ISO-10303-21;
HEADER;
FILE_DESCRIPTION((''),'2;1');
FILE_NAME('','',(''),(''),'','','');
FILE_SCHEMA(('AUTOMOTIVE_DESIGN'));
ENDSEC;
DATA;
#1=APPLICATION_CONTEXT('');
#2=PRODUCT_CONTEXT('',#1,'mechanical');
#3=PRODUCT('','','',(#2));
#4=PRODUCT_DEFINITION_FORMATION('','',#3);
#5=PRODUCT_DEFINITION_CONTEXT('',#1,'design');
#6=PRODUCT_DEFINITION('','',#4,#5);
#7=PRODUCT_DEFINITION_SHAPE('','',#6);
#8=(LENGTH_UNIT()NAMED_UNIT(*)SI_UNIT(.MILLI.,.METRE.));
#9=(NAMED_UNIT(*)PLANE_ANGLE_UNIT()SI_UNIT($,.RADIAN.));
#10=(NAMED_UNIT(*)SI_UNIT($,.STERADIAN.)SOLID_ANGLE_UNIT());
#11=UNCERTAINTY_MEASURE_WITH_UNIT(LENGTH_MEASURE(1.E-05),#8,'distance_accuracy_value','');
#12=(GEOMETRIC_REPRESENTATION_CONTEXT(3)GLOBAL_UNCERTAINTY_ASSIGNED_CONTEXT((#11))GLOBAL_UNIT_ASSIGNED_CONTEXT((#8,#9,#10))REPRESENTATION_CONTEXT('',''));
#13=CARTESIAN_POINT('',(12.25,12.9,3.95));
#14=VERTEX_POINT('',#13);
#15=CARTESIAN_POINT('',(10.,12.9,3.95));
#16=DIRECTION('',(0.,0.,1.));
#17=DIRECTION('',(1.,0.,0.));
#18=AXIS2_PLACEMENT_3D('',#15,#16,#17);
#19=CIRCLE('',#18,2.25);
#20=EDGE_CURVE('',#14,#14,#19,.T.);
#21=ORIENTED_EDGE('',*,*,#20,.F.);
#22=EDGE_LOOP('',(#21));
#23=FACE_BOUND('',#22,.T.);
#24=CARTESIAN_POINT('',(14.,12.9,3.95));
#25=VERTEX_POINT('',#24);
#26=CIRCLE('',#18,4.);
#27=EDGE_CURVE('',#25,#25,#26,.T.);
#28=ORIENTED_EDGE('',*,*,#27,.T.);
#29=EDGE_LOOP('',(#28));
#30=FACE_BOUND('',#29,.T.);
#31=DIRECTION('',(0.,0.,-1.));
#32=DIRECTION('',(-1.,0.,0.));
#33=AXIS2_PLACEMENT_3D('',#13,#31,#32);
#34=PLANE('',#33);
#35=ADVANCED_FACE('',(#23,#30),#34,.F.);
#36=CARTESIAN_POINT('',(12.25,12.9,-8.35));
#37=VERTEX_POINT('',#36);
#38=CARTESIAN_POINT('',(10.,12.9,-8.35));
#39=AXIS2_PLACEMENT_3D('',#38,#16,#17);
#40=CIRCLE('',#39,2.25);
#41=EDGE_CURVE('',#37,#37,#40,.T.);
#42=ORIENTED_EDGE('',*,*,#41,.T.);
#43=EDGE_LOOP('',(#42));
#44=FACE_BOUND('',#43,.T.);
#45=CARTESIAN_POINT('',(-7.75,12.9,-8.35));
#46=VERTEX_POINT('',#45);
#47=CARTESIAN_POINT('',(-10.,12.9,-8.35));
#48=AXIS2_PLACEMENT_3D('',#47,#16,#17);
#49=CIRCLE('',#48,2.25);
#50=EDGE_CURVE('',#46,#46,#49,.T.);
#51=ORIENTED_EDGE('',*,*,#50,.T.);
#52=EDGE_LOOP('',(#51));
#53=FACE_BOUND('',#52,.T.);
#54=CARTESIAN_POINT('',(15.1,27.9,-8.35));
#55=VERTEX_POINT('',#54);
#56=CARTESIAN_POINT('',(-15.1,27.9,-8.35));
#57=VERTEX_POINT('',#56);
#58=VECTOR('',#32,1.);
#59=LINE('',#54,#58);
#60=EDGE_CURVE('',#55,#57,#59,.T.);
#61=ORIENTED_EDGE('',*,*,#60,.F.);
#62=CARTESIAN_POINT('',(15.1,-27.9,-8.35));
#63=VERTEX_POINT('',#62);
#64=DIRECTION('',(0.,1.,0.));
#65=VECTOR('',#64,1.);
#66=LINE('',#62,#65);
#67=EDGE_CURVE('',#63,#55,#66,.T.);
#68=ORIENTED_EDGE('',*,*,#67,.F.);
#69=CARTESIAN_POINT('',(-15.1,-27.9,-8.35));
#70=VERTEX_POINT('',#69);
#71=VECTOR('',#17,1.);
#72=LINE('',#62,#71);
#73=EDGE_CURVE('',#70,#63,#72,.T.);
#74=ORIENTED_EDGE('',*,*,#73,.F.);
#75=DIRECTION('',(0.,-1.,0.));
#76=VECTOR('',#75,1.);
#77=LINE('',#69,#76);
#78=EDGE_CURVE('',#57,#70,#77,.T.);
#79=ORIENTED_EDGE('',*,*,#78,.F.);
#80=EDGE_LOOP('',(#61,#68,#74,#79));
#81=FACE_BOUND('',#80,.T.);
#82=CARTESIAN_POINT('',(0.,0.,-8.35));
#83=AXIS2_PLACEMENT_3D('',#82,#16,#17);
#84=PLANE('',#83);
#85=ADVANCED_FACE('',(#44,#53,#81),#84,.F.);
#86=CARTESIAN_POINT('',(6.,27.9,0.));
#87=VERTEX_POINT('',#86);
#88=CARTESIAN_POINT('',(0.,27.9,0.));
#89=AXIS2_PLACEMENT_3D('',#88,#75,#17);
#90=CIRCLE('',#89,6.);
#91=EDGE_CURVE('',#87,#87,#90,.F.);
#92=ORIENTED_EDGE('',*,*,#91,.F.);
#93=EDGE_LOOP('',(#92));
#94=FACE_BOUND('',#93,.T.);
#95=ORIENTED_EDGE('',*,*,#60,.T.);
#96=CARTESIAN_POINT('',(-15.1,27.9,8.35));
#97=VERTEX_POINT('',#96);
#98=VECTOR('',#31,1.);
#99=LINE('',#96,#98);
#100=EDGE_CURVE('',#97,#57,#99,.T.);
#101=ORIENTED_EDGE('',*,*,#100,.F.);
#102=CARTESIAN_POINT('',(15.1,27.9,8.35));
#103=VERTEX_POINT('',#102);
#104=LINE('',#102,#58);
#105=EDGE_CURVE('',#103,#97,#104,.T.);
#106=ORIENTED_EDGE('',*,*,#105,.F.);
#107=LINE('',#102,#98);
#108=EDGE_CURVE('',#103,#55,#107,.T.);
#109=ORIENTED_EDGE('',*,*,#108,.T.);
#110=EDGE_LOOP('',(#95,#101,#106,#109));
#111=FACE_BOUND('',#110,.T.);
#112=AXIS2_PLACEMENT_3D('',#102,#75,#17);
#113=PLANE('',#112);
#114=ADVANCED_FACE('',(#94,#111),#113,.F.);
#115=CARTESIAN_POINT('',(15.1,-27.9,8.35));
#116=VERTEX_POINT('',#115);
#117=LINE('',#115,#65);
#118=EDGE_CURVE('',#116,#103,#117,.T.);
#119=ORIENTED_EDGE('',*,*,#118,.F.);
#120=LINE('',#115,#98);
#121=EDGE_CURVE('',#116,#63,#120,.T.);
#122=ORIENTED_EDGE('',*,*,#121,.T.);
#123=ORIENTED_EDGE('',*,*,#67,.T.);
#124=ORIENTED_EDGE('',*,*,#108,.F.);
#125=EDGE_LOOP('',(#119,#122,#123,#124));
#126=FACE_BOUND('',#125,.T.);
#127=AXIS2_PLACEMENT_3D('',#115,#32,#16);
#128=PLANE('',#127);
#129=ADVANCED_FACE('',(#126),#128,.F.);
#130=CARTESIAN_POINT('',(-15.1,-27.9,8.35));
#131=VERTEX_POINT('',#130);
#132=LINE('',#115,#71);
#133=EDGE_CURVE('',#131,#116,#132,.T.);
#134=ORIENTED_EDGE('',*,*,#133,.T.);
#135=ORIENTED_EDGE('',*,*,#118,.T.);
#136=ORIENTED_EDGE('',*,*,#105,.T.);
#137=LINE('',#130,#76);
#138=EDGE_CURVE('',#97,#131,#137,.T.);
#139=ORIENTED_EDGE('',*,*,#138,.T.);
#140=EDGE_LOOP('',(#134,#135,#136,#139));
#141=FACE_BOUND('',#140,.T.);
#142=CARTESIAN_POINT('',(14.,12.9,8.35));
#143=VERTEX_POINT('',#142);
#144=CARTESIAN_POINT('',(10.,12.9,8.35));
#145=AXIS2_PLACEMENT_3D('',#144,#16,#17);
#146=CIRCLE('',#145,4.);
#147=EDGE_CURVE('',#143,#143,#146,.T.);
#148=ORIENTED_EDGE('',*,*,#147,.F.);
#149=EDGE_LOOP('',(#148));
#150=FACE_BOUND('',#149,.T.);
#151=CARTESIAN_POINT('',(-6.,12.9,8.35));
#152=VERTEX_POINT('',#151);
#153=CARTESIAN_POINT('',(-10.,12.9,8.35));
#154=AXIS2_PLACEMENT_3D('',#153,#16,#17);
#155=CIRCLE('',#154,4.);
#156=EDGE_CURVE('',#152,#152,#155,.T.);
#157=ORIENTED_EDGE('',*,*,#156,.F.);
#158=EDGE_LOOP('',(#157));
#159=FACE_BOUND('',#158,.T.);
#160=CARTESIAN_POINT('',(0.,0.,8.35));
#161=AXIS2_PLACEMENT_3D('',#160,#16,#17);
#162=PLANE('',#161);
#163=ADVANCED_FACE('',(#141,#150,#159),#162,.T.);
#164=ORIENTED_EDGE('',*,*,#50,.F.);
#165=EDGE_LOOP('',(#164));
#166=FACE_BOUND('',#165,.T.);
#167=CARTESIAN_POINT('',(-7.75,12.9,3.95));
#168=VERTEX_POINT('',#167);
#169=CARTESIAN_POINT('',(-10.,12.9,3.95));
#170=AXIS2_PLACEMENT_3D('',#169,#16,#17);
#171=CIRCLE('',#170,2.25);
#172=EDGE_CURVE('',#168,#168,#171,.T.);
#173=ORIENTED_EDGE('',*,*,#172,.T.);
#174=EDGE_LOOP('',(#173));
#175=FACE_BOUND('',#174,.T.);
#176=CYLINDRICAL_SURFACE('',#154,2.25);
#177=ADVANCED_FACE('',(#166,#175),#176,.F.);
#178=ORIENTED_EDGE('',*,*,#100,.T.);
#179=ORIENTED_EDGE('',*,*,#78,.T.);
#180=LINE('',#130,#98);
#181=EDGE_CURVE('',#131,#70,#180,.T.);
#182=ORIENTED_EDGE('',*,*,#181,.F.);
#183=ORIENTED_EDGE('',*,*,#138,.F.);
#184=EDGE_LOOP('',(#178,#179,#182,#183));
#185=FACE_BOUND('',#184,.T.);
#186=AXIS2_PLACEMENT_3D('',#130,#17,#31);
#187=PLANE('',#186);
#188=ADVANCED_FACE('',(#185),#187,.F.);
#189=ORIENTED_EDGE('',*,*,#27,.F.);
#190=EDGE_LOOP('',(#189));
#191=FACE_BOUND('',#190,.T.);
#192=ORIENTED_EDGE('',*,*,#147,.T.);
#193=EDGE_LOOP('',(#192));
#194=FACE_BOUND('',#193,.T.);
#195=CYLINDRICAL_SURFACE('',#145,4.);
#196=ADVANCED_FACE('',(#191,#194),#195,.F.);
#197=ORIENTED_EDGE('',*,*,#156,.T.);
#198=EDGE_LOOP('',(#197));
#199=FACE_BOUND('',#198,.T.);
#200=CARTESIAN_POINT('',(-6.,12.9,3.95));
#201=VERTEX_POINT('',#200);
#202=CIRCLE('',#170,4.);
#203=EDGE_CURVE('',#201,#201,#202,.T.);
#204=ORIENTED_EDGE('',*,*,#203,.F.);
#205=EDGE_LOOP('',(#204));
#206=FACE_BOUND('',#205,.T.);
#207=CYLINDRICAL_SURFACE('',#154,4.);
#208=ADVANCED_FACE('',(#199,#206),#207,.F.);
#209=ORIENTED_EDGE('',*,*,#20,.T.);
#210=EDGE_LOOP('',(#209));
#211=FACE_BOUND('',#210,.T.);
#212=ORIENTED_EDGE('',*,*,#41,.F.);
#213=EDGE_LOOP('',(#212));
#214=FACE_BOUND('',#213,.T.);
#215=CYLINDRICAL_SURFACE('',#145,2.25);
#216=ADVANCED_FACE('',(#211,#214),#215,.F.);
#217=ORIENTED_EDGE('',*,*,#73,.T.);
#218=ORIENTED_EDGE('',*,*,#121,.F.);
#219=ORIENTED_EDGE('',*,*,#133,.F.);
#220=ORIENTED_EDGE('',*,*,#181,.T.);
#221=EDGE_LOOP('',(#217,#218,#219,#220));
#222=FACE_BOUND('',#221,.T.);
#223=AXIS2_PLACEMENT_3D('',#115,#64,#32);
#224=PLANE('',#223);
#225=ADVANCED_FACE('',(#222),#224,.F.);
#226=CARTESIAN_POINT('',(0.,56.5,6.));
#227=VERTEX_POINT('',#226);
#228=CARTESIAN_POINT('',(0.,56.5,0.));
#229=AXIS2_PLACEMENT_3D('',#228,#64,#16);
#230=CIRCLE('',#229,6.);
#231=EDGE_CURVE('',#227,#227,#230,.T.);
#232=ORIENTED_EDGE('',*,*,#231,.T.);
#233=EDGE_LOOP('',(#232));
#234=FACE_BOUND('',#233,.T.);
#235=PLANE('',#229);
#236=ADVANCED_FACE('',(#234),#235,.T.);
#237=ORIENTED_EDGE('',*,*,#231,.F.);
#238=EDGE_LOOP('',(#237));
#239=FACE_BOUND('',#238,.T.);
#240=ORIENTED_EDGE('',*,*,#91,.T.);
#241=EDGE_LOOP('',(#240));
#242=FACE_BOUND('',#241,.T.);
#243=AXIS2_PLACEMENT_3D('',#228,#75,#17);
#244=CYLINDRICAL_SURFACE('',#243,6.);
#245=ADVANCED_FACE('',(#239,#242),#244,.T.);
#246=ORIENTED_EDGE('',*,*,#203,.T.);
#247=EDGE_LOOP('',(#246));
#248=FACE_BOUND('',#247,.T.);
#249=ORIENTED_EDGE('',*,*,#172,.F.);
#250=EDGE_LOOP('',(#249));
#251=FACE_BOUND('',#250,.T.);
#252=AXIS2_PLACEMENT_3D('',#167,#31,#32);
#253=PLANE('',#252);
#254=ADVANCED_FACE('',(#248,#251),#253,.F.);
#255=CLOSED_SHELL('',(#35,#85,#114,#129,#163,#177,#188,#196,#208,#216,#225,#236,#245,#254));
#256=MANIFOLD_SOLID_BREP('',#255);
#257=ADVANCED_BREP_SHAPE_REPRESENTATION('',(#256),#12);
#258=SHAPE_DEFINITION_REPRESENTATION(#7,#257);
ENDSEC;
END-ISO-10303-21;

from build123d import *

# Parameters (mm, degrees)
SKETCH1_W                                           = 30.2
SKETCH1_H                                           = 55.8
BOSS_EXTRUDE1_DEPTH                                 = 8.35
CBORE_FOR_M4_HEX_SOCKET_HEAD_CAP_SCREW1_D           = 4.5
CBORE_FOR_M4_HEX_SOCKET_HEAD_CAP_SCREW1_CBORE_D     = 8
CBORE_FOR_M4_HEX_SOCKET_HEAD_CAP_SCREW1_CBORE_DEPTH = 4.4
BOSS_EXTRUDE2_START                                 = -15
SKETCH4_R                                           = 6
BOSS_EXTRUDE2_DEPTH                                 = 43.6


with BuildPart() as part:
    # Sketch1 → Boss-Extrude1 (new body, symmetric)
    with BuildSketch(Plane.XY):
        Rectangle(SKETCH1_W, SKETCH1_H)
    extrude(amount=BOSS_EXTRUDE1_DEPTH, both=True)

    # CBORE for M4 Hex Socket Head Cap Screw1 (through all)
    with Locations(Plane.XY.offset(8.35)):
        with Locations((-10, 12.9), (10, 12.9)):
            CounterBoreHole(CBORE_FOR_M4_HEX_SOCKET_HEAD_CAP_SCREW1_D / 2, CBORE_FOR_M4_HEX_SOCKET_HEAD_CAP_SCREW1_CBORE_D / 2, CBORE_FOR_M4_HEX_SOCKET_HEAD_CAP_SCREW1_CBORE_DEPTH)

    # Sketch4 → Boss-Extrude2 (add)
    with BuildSketch(Plane(origin=(0, 27.9, 0), x_dir=(1, 0, 0), z_dir=(0, 1, 0)).offset(BOSS_EXTRUDE2_START)):
        Circle(SKETCH4_R)
    extrude(amount=BOSS_EXTRUDE2_DEPTH)


solid = part.part
